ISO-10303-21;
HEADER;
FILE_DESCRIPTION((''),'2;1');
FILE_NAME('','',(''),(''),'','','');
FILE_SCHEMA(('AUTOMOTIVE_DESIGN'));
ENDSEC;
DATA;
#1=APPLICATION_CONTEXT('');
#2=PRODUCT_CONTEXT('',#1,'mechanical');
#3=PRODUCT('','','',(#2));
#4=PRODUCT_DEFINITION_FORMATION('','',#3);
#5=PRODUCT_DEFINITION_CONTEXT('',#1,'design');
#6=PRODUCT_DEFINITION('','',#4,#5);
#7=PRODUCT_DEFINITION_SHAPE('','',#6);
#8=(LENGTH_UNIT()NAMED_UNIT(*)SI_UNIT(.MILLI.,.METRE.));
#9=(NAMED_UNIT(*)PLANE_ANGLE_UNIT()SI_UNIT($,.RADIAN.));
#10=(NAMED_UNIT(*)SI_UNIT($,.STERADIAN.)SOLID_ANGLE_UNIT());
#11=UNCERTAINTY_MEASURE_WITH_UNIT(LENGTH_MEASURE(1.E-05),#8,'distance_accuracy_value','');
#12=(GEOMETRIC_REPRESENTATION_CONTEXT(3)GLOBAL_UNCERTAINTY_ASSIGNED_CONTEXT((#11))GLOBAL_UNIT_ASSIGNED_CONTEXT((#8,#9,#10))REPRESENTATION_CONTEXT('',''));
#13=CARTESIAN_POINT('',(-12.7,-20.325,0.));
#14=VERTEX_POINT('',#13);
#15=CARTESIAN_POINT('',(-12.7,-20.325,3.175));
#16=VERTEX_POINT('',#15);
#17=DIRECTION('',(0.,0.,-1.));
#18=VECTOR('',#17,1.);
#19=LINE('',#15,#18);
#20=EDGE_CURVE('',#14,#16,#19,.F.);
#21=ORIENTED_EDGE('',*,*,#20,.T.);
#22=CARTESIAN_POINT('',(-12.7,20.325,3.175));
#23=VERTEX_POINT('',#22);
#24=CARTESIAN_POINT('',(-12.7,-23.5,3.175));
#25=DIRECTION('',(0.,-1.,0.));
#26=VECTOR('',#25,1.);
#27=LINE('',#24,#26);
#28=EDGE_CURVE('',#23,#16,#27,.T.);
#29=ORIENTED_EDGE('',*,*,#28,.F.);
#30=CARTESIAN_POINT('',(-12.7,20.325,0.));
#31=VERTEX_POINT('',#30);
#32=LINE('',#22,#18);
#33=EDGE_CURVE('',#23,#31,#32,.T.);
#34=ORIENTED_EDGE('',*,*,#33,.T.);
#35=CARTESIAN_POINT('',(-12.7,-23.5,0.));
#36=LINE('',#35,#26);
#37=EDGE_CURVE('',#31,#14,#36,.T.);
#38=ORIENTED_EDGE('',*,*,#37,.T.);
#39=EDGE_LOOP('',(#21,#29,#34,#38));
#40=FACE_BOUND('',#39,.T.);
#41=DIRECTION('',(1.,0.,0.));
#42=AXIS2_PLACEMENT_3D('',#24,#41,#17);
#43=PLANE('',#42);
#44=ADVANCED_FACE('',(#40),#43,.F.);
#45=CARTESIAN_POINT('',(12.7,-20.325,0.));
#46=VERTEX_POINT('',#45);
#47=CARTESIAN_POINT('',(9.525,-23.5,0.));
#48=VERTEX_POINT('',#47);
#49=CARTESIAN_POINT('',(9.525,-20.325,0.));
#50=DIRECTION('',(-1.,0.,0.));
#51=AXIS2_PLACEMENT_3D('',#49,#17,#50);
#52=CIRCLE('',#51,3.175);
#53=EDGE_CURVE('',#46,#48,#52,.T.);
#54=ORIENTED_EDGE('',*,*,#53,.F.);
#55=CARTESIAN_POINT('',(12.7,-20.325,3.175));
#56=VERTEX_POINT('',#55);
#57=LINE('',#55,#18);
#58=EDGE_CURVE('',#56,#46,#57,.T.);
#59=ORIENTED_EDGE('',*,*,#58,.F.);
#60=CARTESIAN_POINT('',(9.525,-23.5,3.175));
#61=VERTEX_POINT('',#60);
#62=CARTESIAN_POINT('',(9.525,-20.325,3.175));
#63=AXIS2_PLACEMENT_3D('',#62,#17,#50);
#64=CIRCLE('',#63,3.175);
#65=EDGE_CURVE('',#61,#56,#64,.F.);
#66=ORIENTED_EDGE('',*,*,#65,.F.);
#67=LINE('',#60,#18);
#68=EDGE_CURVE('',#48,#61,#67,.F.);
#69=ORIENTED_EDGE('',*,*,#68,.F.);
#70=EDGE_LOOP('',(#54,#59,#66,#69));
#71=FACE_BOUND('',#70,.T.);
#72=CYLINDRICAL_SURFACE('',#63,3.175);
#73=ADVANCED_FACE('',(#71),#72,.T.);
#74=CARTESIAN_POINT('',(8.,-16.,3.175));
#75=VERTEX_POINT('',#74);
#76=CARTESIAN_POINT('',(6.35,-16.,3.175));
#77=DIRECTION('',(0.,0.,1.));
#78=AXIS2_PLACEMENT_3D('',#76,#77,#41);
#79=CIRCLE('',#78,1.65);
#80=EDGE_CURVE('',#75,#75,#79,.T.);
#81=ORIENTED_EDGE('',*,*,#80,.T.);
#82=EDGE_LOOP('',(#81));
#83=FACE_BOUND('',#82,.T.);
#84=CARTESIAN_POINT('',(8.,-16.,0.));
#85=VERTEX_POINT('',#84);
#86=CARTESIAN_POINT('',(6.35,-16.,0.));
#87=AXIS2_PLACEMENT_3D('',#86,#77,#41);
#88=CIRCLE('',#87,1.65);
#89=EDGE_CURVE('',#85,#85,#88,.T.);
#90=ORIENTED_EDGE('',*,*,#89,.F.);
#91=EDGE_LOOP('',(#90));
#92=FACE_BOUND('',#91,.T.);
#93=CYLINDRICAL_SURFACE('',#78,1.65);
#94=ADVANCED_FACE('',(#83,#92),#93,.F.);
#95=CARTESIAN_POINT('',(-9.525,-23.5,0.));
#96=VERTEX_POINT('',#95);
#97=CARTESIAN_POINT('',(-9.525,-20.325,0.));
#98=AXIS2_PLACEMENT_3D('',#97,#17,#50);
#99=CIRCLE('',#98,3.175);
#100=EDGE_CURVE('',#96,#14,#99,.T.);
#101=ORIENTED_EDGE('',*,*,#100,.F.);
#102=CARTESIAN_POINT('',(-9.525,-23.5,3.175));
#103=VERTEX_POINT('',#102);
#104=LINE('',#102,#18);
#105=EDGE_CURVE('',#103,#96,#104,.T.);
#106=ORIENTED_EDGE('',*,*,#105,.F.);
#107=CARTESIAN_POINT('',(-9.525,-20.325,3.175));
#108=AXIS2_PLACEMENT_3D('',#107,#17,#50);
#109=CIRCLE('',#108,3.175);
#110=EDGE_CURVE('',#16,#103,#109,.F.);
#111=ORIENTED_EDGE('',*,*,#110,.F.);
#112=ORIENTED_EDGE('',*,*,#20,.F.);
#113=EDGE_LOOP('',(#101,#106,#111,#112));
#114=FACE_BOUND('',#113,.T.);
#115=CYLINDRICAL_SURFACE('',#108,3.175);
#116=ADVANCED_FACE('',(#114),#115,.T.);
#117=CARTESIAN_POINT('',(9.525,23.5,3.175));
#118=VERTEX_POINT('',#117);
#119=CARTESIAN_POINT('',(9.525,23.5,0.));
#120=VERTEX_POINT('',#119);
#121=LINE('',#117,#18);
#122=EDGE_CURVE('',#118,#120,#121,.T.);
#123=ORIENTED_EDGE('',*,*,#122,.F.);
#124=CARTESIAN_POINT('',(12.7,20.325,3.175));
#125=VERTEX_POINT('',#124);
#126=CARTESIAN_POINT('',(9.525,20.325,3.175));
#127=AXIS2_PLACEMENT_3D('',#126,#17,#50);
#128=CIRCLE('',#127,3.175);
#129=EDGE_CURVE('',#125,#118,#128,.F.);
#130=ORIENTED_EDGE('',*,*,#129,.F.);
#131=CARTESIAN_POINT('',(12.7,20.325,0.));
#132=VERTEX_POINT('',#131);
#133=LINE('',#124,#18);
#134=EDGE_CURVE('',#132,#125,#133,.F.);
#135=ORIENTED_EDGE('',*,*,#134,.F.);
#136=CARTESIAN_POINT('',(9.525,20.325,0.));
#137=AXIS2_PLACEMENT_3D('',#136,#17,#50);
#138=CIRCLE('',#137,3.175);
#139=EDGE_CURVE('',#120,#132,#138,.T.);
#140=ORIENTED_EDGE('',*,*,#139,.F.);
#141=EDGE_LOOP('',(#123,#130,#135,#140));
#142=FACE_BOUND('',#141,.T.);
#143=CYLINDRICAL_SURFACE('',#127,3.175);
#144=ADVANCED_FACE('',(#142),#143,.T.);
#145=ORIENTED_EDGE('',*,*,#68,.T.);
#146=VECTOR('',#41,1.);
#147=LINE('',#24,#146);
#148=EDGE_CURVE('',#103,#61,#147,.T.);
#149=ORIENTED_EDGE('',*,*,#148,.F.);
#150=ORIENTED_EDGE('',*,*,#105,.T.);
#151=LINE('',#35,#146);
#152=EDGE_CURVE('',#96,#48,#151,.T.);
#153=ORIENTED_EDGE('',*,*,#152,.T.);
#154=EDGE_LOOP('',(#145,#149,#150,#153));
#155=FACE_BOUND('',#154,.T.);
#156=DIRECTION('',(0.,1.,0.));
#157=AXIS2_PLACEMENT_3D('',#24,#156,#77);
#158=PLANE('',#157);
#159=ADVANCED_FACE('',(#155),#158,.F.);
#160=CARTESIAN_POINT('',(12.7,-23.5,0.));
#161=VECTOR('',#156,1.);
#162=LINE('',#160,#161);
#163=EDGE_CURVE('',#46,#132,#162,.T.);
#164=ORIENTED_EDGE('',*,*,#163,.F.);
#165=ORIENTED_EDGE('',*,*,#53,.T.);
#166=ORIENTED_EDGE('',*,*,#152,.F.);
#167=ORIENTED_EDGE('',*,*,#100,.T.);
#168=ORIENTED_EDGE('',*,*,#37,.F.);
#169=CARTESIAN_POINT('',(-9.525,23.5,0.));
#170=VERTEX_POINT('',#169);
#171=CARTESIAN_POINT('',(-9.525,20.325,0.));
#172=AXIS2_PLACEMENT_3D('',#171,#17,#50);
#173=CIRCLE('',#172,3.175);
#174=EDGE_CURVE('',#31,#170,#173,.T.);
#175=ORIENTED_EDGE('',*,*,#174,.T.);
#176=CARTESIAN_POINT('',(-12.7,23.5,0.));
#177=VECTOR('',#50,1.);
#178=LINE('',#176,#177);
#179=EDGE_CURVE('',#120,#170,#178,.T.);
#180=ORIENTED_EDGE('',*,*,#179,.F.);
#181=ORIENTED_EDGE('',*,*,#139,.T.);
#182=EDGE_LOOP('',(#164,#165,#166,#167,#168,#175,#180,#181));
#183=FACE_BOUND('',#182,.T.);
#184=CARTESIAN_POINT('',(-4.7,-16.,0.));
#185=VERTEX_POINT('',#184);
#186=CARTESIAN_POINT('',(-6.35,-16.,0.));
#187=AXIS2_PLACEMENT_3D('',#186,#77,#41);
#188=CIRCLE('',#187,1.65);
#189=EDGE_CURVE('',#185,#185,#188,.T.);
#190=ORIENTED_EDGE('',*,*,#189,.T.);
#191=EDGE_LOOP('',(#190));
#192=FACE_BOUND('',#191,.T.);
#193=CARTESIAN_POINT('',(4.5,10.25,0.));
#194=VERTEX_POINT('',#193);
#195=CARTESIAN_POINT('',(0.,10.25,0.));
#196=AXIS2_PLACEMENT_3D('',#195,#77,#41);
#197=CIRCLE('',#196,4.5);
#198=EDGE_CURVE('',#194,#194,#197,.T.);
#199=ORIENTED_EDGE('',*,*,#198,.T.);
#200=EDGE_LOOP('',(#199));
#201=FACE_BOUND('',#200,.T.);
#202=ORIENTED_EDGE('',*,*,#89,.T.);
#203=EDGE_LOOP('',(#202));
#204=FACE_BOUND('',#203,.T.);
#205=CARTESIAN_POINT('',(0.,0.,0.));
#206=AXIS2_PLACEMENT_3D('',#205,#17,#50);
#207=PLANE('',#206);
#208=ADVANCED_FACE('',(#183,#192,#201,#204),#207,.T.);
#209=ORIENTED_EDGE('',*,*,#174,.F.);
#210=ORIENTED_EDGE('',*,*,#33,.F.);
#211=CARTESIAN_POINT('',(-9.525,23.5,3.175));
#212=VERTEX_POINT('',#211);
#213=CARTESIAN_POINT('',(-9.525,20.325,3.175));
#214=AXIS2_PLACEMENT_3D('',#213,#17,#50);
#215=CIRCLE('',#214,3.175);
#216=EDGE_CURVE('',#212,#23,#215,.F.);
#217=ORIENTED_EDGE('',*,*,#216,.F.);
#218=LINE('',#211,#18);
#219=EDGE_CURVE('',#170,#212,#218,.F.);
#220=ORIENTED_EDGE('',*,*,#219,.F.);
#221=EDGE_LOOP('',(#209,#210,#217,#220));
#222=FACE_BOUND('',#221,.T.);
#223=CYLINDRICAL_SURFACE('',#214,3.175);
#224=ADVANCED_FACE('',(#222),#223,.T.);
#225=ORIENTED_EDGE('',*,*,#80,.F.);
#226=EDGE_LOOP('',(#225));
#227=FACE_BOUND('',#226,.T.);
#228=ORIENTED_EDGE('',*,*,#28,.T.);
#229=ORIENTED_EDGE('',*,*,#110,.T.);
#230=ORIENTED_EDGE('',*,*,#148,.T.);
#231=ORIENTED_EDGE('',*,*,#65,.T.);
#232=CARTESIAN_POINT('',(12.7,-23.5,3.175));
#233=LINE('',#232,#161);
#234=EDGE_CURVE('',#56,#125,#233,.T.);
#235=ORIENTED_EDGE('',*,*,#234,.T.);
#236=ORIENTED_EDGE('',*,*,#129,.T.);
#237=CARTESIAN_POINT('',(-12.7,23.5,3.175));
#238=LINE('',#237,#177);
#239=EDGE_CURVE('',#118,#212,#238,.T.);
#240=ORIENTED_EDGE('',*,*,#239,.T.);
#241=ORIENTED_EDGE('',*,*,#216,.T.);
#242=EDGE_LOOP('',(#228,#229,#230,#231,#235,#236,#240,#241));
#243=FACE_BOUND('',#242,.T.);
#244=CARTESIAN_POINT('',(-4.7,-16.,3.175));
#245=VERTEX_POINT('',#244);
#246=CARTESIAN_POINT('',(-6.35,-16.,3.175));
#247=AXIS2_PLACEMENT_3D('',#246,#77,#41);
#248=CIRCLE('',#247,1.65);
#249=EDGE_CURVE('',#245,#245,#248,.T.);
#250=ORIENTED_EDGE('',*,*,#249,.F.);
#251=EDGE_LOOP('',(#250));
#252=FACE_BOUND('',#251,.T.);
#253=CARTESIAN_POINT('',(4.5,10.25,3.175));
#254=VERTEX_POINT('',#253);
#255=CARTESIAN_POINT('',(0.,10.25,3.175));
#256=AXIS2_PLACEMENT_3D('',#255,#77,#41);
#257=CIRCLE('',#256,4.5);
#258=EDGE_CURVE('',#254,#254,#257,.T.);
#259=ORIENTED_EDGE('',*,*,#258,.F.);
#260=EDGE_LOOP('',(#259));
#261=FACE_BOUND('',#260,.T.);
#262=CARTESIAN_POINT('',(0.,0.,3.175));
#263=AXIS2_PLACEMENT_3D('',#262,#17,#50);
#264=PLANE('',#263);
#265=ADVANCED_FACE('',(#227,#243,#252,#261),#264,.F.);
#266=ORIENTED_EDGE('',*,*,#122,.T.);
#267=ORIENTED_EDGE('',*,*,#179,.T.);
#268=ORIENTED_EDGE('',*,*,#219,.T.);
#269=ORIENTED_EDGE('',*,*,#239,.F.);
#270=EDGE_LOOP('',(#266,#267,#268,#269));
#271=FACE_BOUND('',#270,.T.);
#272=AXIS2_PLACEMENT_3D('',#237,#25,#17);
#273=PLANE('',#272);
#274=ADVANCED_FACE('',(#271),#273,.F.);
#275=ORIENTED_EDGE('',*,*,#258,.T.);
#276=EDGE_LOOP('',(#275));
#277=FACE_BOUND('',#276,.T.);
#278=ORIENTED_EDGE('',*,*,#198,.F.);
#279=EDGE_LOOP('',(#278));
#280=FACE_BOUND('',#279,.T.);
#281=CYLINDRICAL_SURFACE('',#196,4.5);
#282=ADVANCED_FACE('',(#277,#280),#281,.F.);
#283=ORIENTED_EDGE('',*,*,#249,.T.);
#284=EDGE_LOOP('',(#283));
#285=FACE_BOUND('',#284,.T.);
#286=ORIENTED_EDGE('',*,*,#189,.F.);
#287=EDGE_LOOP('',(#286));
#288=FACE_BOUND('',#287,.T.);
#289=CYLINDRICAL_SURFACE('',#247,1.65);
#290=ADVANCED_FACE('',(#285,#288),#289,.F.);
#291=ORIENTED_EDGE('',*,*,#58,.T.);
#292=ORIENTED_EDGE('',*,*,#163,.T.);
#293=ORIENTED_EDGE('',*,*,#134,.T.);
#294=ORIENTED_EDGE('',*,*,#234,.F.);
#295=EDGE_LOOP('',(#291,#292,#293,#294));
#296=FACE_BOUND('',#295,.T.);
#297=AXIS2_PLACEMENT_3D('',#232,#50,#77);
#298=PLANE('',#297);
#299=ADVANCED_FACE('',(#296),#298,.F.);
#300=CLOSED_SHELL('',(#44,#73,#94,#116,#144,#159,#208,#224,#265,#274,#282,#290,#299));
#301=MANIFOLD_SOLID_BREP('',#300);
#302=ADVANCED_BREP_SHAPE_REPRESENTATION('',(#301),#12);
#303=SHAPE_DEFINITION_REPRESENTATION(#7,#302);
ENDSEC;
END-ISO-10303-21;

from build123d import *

# Parameters (mm, degrees)
SKETCH1_W             = 25.4
SKETCH1_H             = 47
BOSS_EXTRUDE1_DEPTH   = 3.175
SKETCH2_R             = 4.5
CUT_EXTRUDE1_DEPTH    = 27.90019749
FILLET1_R             = 3.175
M4X0_7_TAPPED_HOLE1_D = 3.3


with BuildPart() as part:
    # Sketch1 → Boss-Extrude1 (new body)
    with BuildSketch(Plane.XY):
        Rectangle(SKETCH1_W, SKETCH1_H)
    extrude(amount=BOSS_EXTRUDE1_DEPTH)

    # Sketch2 → Cut-Extrude1 (cut, through all)
    with BuildSketch(Plane.XY.offset(3.175)):
        with Locations((0, 10.25)):
            Circle(SKETCH2_R)
    extrude(amount=-CUT_EXTRUDE1_DEPTH, mode=Mode.SUBTRACT)

    # Fillet1
    fillet1_edges = [part.edges().sort_by_distance(p)[0] for p in [
        (12.7, -23.5, 1.5875),
        (-12.7, -23.5, 1.5875),
        (-12.7, 23.5, 1.5875),
        (12.7, 23.5, 1.5875),
    ]]
    fillet(fillet1_edges, radius=FILLET1_R)

    # M4x0.7 Tapped Hole1 (through all)
    with Locations(Plane.XY.offset(3.175)):
        with Locations((-6.35, -16), (6.35, -16)):
            Hole(M4X0_7_TAPPED_HOLE1_D / 2)


solid = part.part
